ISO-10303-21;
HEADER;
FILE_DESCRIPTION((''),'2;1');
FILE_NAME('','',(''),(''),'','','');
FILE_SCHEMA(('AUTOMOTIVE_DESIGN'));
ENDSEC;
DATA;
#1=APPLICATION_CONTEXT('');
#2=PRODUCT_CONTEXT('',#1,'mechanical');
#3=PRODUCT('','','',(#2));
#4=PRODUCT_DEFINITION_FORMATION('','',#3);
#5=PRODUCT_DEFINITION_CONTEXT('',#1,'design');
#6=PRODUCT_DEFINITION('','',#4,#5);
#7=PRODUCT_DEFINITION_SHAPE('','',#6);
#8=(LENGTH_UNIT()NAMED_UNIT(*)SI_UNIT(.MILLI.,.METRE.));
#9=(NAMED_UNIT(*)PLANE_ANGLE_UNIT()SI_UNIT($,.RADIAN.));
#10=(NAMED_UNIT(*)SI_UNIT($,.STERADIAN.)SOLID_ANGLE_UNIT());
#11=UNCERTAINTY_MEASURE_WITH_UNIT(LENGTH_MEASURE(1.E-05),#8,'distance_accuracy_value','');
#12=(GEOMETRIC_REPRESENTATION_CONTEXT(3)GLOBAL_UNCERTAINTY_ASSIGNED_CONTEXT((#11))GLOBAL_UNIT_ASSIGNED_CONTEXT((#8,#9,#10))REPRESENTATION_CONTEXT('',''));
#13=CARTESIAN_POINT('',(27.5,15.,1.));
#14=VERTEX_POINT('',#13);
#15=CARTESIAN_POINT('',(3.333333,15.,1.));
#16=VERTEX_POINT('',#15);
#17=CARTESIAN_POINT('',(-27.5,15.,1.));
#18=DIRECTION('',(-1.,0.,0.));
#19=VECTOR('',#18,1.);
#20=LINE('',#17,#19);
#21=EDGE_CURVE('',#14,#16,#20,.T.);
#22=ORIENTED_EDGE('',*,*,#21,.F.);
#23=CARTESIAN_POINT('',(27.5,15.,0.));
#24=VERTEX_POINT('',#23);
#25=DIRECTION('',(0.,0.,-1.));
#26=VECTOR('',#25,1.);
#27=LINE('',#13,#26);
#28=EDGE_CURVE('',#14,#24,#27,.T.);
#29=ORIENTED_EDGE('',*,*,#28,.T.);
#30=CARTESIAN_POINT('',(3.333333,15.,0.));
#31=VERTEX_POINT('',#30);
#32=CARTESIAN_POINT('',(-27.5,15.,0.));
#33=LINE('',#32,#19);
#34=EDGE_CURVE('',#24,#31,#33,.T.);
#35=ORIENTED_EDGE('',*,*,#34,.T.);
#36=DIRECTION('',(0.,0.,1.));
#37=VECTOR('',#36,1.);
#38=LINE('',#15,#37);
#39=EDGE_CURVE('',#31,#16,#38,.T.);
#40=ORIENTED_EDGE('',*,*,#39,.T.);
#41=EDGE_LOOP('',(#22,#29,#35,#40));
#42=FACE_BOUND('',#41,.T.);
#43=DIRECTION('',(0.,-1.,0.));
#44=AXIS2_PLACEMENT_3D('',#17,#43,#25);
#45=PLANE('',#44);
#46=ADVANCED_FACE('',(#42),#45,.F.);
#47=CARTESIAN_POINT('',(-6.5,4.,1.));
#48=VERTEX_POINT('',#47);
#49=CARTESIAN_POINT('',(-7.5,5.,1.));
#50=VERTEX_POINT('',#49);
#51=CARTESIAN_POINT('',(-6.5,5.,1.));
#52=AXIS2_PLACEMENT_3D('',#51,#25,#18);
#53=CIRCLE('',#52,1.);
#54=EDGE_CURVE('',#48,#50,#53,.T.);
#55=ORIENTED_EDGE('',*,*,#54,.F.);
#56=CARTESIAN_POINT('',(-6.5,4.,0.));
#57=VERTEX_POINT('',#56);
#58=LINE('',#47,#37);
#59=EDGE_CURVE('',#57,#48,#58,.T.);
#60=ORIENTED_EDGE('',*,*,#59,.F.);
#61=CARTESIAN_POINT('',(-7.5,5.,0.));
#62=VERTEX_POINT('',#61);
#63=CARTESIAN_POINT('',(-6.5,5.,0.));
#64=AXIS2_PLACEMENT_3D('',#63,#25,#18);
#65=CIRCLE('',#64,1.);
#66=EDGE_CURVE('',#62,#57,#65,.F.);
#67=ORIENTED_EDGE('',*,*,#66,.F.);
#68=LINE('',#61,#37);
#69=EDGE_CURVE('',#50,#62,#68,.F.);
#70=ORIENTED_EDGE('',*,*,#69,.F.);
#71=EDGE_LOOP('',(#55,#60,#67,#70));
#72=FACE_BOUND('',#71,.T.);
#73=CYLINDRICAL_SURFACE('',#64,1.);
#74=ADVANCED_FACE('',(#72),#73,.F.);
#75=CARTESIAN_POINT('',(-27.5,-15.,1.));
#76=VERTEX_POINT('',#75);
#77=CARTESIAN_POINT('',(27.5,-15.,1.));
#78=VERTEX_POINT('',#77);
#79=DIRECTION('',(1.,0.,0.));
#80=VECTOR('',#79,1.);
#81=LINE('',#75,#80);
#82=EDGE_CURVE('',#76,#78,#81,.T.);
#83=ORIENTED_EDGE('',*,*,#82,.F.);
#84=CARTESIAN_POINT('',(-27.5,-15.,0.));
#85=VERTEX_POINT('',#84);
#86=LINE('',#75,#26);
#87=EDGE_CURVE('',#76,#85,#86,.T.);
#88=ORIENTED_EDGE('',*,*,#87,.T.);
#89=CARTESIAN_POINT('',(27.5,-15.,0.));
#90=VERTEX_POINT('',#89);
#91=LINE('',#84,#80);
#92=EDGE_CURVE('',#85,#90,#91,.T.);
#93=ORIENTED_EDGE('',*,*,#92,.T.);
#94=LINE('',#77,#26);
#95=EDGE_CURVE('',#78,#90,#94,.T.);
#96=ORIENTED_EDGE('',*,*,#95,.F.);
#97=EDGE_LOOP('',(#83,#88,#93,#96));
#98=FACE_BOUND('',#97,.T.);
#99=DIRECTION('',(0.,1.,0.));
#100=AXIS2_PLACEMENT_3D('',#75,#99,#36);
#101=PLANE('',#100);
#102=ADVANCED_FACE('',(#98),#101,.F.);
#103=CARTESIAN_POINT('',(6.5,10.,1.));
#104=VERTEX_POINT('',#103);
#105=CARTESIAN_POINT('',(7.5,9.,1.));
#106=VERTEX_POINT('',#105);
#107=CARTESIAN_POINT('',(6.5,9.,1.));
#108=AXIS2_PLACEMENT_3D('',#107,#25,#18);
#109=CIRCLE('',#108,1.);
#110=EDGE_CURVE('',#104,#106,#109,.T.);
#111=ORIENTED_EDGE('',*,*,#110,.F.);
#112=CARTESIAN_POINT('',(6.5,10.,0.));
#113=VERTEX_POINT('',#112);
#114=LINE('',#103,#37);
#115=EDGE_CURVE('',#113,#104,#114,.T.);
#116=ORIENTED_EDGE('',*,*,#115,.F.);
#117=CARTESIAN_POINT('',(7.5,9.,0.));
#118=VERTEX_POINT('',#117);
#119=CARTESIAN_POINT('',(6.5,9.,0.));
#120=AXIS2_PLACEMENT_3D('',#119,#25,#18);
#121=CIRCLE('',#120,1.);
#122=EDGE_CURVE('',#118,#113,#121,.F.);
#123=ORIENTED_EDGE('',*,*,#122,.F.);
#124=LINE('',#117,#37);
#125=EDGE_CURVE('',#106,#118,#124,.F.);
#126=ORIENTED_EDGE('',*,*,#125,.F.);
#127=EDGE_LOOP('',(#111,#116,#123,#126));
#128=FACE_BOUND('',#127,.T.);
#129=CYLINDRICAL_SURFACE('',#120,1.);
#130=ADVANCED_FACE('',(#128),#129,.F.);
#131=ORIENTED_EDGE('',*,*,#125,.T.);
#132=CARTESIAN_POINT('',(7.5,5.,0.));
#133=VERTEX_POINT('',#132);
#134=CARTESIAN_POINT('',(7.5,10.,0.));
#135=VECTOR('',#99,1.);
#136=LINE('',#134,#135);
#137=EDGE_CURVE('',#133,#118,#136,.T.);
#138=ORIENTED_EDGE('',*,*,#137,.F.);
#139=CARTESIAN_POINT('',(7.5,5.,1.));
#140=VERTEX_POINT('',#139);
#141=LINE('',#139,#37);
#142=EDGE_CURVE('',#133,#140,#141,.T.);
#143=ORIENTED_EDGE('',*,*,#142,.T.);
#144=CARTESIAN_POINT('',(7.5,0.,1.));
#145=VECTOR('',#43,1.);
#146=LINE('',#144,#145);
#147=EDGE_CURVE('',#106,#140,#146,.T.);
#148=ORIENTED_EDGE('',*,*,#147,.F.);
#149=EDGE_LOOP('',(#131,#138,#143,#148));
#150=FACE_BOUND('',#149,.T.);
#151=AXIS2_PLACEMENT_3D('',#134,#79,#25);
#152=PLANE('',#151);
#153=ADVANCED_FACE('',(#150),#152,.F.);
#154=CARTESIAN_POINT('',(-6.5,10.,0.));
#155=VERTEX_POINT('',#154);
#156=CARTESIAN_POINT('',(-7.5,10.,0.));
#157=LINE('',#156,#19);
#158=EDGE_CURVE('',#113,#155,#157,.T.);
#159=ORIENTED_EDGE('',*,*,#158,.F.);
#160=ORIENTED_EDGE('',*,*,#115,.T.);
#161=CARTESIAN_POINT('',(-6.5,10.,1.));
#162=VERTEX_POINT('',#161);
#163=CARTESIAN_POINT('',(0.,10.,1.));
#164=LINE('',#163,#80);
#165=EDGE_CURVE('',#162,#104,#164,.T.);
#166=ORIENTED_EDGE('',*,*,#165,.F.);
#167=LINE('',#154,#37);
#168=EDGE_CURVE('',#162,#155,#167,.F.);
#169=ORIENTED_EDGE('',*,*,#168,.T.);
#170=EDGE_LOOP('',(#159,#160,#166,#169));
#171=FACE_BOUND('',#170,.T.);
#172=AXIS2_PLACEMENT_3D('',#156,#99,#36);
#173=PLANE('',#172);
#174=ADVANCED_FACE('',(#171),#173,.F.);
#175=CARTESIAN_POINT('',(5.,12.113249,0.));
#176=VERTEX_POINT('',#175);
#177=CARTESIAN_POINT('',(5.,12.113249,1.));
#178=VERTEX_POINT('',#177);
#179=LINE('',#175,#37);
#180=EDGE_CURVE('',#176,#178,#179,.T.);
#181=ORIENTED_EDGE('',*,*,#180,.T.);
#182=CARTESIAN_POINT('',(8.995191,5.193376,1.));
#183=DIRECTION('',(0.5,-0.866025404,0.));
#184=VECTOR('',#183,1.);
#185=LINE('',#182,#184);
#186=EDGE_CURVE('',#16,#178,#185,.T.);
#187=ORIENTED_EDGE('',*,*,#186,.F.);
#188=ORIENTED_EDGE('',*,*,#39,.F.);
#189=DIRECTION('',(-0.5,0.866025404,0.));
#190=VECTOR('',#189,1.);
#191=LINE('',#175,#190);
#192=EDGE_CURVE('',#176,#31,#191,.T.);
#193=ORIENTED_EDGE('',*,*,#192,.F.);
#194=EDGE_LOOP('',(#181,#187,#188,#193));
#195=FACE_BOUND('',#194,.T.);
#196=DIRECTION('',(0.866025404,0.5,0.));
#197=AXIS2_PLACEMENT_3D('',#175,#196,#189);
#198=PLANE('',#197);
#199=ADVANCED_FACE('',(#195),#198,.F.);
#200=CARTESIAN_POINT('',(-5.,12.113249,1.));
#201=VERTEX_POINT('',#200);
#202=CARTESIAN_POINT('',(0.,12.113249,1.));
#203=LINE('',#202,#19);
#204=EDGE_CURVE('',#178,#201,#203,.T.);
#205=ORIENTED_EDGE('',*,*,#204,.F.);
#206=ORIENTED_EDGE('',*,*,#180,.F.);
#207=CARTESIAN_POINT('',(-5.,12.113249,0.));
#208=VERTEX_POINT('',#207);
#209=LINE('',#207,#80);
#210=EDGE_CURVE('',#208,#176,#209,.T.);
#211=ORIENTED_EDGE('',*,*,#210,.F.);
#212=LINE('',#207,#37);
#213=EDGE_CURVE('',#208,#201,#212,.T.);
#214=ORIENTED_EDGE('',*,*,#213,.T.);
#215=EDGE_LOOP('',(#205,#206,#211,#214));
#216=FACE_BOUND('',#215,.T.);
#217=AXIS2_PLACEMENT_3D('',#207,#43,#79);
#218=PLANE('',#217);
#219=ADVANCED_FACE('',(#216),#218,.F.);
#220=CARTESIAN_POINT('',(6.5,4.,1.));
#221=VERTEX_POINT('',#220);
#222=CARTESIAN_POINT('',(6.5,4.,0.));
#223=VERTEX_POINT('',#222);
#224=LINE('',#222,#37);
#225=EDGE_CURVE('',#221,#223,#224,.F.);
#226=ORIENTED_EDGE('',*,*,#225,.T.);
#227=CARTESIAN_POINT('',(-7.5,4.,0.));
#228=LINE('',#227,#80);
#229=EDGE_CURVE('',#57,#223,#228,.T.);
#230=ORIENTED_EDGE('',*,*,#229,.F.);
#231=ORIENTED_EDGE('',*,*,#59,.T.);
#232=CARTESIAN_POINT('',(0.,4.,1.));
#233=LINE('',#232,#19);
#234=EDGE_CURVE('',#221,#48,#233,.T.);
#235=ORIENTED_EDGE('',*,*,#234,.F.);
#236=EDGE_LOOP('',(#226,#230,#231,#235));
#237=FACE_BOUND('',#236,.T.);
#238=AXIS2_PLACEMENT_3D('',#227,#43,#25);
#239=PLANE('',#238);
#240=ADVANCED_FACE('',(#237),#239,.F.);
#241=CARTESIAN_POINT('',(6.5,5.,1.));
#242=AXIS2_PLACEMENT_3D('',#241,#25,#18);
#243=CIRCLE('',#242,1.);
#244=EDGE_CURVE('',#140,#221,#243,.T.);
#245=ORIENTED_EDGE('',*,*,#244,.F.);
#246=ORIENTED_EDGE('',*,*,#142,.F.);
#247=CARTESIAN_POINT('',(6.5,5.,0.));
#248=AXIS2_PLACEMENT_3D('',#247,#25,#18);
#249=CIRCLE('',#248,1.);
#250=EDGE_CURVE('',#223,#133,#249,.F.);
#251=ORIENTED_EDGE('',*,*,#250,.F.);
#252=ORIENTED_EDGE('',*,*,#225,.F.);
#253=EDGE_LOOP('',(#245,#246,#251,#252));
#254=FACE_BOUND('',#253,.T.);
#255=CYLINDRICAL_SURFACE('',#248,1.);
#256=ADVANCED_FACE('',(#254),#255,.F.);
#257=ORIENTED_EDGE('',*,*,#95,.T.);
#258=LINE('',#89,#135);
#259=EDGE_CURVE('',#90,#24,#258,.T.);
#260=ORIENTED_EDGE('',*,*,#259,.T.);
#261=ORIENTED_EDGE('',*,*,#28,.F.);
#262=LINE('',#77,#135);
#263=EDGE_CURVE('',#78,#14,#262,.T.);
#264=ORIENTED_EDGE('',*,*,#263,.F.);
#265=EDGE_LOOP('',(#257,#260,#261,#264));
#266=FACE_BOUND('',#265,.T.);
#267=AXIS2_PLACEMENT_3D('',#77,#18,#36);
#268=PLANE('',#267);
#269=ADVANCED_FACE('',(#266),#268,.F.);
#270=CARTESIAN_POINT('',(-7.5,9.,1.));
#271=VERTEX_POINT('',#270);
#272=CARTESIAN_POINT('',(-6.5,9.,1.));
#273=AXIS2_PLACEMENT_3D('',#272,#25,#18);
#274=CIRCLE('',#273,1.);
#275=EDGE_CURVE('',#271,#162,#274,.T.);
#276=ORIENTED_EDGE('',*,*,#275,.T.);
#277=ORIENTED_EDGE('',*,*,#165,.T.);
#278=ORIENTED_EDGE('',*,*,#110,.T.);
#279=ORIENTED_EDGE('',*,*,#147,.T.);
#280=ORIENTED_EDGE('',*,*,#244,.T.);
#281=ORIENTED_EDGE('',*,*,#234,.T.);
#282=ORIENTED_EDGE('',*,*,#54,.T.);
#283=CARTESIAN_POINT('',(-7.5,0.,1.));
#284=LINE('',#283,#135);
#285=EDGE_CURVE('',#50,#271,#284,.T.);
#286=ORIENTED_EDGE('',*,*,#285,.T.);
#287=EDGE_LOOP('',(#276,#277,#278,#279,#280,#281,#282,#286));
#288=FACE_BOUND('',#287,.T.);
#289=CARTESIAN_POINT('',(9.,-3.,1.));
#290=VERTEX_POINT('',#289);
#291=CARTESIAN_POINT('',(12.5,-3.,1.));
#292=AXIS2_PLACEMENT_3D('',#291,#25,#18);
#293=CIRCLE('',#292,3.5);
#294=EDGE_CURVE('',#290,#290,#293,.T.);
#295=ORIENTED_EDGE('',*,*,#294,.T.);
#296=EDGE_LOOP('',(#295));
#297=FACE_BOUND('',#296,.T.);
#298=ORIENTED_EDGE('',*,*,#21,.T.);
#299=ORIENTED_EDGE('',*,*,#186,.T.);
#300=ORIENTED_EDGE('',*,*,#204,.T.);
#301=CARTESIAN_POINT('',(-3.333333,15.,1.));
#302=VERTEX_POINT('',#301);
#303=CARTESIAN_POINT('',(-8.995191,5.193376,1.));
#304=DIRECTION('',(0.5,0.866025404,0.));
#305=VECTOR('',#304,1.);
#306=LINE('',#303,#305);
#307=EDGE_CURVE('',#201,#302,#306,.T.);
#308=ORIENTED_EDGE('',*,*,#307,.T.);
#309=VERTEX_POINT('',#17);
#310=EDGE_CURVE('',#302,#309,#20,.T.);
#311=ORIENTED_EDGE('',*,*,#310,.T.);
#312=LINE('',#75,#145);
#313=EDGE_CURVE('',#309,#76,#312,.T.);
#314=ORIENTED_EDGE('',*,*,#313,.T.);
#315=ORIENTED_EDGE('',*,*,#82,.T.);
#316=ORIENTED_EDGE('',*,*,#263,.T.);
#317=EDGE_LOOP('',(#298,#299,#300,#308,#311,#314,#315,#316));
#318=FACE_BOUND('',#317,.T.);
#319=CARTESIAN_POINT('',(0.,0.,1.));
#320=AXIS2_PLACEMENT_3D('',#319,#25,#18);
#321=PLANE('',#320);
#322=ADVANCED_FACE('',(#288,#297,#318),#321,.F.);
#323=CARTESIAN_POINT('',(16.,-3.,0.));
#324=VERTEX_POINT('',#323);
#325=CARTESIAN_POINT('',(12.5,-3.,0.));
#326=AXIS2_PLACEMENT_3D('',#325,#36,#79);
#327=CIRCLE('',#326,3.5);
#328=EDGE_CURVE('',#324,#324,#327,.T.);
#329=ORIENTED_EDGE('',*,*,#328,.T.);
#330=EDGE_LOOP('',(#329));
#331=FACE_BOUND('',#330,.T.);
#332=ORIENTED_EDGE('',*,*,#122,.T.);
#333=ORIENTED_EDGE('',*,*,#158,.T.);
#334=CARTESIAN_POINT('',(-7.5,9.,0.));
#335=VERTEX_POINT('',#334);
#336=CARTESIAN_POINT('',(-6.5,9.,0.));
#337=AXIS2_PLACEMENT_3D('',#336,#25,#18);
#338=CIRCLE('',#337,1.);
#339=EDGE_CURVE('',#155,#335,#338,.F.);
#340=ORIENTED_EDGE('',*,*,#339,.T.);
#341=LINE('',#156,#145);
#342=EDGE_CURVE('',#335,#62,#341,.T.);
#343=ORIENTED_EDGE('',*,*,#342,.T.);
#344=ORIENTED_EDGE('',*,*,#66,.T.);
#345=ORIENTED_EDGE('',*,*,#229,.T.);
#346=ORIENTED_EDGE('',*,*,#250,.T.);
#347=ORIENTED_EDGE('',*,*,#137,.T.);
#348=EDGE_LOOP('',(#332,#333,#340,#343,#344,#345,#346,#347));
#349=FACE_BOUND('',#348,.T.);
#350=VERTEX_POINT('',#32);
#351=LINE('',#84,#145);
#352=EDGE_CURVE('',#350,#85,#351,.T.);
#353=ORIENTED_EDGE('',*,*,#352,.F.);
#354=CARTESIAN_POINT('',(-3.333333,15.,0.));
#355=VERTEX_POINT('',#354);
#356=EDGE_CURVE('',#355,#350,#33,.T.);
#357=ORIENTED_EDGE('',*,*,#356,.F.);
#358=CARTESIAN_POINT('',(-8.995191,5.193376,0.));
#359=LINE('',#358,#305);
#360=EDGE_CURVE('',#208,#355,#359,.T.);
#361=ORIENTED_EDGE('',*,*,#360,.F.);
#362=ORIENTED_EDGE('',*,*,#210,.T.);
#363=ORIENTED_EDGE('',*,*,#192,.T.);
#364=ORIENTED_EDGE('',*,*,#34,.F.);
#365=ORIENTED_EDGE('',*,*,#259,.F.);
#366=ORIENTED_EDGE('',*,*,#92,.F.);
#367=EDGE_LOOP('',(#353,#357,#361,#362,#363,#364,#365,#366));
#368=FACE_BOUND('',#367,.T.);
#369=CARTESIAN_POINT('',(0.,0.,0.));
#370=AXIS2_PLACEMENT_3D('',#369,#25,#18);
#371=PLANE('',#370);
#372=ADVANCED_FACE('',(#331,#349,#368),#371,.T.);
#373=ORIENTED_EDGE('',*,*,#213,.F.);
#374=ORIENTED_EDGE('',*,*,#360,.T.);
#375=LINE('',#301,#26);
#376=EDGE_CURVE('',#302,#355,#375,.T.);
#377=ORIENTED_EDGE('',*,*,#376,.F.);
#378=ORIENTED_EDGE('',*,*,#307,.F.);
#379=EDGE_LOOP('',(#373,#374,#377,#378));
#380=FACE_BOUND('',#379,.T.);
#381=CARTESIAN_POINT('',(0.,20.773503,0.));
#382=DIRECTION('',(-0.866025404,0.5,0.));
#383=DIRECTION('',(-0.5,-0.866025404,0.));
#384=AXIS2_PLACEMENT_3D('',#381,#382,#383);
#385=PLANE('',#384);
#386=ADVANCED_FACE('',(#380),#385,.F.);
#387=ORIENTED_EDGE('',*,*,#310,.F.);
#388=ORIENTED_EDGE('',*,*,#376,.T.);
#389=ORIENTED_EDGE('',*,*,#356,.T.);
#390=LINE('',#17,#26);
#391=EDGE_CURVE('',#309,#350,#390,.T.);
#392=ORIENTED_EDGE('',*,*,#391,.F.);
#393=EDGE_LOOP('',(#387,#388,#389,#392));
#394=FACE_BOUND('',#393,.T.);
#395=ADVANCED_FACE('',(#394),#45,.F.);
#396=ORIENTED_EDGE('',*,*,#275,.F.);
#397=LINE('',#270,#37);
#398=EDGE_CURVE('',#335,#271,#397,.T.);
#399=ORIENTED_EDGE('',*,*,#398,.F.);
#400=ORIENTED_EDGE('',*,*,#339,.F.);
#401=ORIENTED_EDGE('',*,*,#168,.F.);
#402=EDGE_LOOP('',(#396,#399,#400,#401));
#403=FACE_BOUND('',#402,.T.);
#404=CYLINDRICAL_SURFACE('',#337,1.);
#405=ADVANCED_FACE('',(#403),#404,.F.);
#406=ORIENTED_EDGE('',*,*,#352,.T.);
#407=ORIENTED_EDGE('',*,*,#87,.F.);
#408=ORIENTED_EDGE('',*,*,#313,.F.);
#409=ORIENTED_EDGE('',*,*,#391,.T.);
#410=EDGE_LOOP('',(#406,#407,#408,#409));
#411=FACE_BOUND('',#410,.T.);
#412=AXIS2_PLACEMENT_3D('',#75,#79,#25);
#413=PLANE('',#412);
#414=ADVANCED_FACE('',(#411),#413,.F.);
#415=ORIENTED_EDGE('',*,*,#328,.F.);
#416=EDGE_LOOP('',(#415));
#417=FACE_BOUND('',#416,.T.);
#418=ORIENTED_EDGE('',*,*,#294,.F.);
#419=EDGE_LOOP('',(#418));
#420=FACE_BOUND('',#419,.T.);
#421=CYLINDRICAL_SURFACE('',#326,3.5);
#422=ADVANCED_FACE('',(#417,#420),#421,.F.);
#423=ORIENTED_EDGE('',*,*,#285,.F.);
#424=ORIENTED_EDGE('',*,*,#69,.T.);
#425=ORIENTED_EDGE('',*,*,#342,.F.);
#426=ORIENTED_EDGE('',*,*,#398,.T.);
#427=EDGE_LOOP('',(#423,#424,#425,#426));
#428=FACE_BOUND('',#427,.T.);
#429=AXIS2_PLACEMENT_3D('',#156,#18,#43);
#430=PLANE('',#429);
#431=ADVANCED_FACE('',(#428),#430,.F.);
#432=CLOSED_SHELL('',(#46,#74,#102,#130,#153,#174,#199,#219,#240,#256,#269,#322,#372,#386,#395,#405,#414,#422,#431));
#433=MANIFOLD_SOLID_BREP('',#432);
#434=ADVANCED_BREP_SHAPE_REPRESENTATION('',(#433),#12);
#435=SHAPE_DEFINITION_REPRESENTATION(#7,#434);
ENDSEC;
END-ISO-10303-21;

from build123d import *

# Parameters (mm, degrees)
SKETCH1_W               = 55
SKETCH1_H               = 30
BOSS_EXTRUDE1_DEPTH     = 1
CUT_EXTRUDE1_DEPTH      = 32.340867888
CUT_EXTRUDE1_DEPTH_BACK = 32.340867888
SKETCH2_R               = 3.5
SKETCH2_W               = 15
SKETCH2_H               = 6
FILLET1_R               = 1


with BuildPart() as part:
    # Sketch1 → Boss-Extrude1 (new body)
    with BuildSketch(Plane.XY):
        Rectangle(SKETCH1_W, SKETCH1_H)
    extrude(amount=BOSS_EXTRUDE1_DEPTH)

    # Sketch2 → Cut-Extrude1 (cut, two sides: drawn at the far end of the back side and taken through both)
    with BuildSketch(Plane.XY.offset(1).offset(-CUT_EXTRUDE1_DEPTH_BACK)):
        with Locations((12.5, -3)):
            Circle(SKETCH2_R)
        with Locations((0, 7)):
            Rectangle(SKETCH2_W, SKETCH2_H)
        Polygon((0, 20.773502692), (-5, 12.113248654), (5, 12.113248654), align=None)
    extrude(amount=CUT_EXTRUDE1_DEPTH + CUT_EXTRUDE1_DEPTH_BACK, mode=Mode.SUBTRACT)

    # Fillet1
    fillet1_edges = [part.edges().sort_by_distance(p)[0] for p in [
        (-7.5, 4, 0.5),
        (-7.5, 10, 0.5),
        (7.5, 10, 0.5),
        (7.5, 4, 0.5),
    ]]
    fillet(fillet1_edges, radius=FILLET1_R)


solid = part.part
